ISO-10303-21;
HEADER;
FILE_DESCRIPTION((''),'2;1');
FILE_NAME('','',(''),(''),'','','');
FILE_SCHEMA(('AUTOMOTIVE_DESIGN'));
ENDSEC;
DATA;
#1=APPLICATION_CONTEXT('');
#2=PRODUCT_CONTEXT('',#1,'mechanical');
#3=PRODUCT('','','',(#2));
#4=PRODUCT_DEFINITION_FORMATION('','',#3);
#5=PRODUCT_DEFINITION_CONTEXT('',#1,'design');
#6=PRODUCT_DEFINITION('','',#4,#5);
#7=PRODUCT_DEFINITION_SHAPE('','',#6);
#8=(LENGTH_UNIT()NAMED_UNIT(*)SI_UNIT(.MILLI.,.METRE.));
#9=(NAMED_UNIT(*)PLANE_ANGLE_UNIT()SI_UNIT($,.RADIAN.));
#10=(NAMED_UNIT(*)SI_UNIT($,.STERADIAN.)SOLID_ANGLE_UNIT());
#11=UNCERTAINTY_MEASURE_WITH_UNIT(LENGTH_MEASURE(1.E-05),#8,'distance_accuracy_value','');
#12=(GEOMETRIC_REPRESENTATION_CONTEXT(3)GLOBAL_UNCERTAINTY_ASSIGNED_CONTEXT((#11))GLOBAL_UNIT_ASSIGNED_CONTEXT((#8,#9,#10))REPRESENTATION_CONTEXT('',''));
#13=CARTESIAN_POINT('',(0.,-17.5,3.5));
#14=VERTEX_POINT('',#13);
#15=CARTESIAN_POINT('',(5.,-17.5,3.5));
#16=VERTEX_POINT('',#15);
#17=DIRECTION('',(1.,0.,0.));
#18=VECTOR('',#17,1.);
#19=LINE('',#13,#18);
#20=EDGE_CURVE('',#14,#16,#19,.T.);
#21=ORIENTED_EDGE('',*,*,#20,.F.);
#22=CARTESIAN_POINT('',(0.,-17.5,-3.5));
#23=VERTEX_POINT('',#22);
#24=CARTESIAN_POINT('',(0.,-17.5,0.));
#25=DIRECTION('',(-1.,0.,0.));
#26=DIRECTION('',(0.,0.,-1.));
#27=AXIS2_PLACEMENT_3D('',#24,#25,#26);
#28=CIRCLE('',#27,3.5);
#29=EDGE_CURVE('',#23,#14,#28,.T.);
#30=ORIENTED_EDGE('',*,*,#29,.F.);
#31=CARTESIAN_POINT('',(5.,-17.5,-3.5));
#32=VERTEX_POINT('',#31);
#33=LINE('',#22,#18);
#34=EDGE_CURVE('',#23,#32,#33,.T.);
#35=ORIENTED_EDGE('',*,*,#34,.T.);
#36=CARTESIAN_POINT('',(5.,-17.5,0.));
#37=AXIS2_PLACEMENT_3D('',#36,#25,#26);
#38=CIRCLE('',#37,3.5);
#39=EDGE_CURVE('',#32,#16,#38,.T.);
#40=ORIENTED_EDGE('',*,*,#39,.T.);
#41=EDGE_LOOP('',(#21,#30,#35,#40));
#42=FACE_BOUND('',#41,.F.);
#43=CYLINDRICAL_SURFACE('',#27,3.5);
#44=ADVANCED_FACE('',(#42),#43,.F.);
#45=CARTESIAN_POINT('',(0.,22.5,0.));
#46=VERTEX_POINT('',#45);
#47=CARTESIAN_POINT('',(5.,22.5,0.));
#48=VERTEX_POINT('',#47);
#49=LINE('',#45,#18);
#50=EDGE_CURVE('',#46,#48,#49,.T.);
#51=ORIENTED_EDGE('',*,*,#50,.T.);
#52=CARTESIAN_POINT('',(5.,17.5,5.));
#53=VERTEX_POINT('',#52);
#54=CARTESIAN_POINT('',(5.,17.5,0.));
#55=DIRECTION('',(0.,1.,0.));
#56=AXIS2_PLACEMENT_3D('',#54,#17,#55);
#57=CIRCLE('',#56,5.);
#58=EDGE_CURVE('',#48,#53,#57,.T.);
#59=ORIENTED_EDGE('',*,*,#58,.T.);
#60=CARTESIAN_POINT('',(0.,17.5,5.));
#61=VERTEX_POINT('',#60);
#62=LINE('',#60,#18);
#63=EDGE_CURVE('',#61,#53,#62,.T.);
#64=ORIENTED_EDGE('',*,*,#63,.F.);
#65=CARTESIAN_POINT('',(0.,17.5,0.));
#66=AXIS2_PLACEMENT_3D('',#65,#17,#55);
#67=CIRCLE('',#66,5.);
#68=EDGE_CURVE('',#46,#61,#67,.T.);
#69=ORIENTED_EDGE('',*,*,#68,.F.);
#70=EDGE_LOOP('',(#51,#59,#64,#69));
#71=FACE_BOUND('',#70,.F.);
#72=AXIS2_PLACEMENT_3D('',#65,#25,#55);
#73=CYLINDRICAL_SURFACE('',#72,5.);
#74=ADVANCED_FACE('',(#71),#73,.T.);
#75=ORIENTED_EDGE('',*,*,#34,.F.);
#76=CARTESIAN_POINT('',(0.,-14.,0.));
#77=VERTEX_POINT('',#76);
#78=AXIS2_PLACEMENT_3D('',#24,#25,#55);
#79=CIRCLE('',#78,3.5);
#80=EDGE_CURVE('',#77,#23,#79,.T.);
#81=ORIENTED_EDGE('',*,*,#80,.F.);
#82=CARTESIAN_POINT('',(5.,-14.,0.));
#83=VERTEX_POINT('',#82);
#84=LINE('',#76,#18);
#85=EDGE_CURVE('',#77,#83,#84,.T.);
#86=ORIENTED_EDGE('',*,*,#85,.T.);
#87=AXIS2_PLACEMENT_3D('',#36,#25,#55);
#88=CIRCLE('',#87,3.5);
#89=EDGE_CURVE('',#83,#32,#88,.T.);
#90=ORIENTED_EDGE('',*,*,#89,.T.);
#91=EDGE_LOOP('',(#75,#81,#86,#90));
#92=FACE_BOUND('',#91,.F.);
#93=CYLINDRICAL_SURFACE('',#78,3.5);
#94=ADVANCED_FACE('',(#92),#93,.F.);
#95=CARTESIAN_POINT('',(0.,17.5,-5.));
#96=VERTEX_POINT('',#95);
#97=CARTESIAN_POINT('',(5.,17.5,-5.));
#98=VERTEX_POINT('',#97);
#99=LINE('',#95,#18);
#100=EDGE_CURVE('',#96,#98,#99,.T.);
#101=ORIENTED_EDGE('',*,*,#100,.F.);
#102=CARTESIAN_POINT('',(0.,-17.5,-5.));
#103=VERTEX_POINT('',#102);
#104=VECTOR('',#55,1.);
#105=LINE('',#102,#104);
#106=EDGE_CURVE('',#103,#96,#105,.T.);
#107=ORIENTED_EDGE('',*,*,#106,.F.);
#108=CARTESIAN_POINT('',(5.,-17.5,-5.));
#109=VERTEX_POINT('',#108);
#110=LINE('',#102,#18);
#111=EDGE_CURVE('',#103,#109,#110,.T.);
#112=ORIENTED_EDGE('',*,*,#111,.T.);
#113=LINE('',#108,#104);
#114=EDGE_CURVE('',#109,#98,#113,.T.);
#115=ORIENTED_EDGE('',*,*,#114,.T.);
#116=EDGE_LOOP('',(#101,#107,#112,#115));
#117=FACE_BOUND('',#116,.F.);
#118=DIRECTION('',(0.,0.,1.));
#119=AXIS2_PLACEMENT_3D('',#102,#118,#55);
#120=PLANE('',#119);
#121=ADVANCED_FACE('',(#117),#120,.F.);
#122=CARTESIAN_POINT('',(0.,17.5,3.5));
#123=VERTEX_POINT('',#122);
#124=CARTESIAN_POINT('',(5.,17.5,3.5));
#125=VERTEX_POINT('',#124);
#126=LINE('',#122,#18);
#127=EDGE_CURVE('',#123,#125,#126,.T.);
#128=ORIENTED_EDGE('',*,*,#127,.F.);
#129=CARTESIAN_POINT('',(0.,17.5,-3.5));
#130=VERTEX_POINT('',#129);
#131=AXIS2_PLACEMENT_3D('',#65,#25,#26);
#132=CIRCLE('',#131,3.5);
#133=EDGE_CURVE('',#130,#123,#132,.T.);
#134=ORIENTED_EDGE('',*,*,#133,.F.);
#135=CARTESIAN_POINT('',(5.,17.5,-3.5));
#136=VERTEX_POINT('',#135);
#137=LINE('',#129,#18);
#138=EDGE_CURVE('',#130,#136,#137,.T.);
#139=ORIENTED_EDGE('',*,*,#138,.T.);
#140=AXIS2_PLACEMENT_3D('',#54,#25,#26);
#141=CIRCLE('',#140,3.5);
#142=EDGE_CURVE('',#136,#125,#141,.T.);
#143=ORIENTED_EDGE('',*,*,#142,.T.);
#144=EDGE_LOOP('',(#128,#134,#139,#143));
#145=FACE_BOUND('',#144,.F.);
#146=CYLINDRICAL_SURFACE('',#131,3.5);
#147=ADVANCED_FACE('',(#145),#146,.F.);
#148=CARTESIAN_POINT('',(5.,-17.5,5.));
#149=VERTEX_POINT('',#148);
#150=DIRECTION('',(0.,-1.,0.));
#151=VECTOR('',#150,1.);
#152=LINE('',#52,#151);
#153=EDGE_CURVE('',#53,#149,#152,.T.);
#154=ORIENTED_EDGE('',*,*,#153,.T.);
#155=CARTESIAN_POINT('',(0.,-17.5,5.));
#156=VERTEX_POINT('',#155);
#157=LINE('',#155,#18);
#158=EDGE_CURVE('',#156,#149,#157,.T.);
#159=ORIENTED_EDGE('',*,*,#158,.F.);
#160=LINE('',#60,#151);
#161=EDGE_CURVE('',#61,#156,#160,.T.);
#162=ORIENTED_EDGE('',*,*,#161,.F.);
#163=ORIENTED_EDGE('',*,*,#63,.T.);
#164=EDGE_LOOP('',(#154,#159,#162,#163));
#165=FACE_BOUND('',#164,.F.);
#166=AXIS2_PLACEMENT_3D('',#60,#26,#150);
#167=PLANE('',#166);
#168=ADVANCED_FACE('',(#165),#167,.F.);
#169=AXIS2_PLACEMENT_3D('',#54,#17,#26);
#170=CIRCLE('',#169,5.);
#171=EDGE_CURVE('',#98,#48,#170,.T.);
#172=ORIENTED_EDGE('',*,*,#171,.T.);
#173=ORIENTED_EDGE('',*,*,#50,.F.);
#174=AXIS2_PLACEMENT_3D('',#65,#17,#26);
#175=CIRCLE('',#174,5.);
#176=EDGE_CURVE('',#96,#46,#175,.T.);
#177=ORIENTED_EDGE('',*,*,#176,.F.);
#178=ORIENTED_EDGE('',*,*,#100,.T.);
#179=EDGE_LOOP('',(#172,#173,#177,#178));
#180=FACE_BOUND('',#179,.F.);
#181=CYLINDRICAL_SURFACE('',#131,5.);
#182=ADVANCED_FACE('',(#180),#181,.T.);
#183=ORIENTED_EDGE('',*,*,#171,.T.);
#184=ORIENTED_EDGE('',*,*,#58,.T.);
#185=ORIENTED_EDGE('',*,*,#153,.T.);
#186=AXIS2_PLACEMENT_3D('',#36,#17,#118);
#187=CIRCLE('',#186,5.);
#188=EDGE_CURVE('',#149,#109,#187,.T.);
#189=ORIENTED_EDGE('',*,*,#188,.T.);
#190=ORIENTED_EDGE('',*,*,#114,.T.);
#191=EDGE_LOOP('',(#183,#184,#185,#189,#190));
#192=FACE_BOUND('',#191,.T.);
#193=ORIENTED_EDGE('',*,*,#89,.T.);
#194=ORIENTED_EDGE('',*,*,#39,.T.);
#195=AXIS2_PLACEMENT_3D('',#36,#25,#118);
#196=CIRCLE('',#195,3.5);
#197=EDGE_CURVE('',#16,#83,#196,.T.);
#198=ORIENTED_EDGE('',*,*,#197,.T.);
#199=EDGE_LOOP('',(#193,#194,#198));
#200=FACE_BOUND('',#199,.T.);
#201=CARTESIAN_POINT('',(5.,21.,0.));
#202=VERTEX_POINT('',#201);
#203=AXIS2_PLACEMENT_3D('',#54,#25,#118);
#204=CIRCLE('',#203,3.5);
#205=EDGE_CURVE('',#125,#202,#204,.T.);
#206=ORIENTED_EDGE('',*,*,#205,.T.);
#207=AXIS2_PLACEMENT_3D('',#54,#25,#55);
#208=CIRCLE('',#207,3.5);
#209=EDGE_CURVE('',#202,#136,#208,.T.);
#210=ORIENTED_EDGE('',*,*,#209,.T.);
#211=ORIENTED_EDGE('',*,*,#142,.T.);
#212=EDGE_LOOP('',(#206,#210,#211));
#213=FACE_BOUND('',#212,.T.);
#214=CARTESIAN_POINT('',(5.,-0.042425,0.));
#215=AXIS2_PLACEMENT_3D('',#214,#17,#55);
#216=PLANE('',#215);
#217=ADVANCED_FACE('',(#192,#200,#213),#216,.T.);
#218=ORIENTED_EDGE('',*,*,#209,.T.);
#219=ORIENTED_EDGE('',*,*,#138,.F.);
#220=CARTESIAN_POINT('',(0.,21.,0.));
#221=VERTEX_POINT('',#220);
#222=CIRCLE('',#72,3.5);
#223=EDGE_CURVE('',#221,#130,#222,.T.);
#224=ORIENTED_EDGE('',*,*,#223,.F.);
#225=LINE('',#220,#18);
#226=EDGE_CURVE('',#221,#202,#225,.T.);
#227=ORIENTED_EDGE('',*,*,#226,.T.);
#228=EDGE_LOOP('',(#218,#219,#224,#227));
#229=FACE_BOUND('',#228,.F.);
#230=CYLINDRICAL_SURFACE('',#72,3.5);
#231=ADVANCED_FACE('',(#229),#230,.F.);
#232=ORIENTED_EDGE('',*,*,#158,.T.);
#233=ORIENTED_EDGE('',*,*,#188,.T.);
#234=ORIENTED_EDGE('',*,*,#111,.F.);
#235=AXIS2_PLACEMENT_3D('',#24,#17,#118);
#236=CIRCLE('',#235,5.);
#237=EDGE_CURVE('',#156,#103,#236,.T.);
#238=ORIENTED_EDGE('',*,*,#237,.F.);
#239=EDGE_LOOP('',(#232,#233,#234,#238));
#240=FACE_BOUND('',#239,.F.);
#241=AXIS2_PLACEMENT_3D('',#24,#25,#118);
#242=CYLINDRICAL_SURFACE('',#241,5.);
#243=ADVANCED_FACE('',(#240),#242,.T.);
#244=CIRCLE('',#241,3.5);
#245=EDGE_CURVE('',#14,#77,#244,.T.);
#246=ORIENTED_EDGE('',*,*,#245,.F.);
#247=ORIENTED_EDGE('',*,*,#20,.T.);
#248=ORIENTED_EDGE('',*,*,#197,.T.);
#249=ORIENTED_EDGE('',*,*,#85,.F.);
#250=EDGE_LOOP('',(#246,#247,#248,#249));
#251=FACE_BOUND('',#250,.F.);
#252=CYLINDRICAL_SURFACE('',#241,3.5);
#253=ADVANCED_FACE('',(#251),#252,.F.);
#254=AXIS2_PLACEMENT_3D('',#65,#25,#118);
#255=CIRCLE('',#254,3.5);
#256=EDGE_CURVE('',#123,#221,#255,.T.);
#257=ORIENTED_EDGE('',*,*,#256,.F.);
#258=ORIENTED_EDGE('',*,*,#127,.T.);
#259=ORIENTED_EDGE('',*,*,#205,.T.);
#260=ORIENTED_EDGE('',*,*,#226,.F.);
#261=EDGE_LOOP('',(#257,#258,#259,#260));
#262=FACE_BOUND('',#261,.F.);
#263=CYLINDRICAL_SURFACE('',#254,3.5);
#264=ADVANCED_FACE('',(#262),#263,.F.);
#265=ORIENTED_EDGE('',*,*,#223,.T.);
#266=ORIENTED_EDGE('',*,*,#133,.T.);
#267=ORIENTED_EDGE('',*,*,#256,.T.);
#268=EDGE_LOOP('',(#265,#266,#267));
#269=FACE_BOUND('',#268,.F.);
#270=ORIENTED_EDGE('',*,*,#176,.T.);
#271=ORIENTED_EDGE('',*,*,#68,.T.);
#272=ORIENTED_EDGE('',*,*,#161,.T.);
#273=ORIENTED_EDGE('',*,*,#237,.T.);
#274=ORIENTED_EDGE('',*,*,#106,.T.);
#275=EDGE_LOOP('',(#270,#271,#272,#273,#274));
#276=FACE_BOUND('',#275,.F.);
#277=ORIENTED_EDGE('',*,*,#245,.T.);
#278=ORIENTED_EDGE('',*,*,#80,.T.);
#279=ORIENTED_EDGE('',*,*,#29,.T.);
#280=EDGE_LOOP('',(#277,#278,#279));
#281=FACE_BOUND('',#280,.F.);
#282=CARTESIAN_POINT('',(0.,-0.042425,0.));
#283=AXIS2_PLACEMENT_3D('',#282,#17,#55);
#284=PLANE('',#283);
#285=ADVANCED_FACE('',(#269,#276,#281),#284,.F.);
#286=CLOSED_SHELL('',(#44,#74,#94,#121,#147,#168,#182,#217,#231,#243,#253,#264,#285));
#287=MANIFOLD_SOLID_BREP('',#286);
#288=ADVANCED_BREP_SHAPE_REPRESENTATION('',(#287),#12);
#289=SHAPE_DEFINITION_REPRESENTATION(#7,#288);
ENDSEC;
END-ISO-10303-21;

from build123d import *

# Parameters (mm, degrees)
F1_DEPTH = 5


with BuildPart() as f1:
    # F0 (on Right) → F1 (new body)
    with BuildSketch(Plane.YZ):
        with BuildLine():
            ThreePointArc((17.5, -5), (12.5, 0), (17.5, 5))
            Line((17.5, 5), (-17.5, 5))
            ThreePointArc((-17.5, 5), (-13.9644660941, 3.5355339059), (-12.5, 0))
            ThreePointArc((-12.5, 0), (-13.9644660941, -3.5355339059), (-17.5, -5))
            Line((-17.5, -5), (17.5, -5))
        make_face()
        with BuildLine():
            ThreePointArc((22.5, 0), (21.0355339059, 3.5355339059), (17.5, 5))
            Line((17.5, 5), (17.5, 3.5))
            ThreePointArc((17.5, 3.5), (19.9748737342, 2.4748737342), (21, 0))
            ThreePointArc((21, 0), (19.9748737342, -2.4748737342), (17.5, -3.5))
            Line((17.5, -3.5), (17.5, -5))
            ThreePointArc((17.5, -5), (21.0355339059, -3.5355339059), (22.5, 0))
        make_face()
        with BuildLine():
            Line((17.5, 3.5), (17.5, 5))
            ThreePointArc((17.5, 5), (12.5, 0), (17.5, -5))
            Line((17.5, -5), (17.5, -3.5))
            ThreePointArc((17.5, -3.5), (14, 0), (17.5, 3.5))
        make_face()
        with BuildLine():
            ThreePointArc((-12.5, 0), (-13.9644660941, 3.5355339059), (-17.5, 5))
            Line((-17.5, 5), (-17.5, 3.5))
            ThreePointArc((-17.5, 3.5), (-15.0251262658, 2.4748737342), (-14, 0))
            ThreePointArc((-14, 0), (-15.0251262658, -2.4748737342), (-17.5, -3.5))
            Line((-17.5, -3.5), (-17.5, -5))
            ThreePointArc((-17.5, -5), (-13.9644660941, -3.5355339059), (-12.5, 0))
        make_face()
        with BuildLine():
            Line((-17.5, 3.5), (-17.5, 5))
            ThreePointArc((-17.5, 5), (-22.5, 0), (-17.5, -5))
            Line((-17.5, -5), (-17.5, -3.5))
            ThreePointArc((-17.5, -3.5), (-21, 0), (-17.5, 3.5))
        make_face()
    extrude(amount=F1_DEPTH)


solid = f1.part
